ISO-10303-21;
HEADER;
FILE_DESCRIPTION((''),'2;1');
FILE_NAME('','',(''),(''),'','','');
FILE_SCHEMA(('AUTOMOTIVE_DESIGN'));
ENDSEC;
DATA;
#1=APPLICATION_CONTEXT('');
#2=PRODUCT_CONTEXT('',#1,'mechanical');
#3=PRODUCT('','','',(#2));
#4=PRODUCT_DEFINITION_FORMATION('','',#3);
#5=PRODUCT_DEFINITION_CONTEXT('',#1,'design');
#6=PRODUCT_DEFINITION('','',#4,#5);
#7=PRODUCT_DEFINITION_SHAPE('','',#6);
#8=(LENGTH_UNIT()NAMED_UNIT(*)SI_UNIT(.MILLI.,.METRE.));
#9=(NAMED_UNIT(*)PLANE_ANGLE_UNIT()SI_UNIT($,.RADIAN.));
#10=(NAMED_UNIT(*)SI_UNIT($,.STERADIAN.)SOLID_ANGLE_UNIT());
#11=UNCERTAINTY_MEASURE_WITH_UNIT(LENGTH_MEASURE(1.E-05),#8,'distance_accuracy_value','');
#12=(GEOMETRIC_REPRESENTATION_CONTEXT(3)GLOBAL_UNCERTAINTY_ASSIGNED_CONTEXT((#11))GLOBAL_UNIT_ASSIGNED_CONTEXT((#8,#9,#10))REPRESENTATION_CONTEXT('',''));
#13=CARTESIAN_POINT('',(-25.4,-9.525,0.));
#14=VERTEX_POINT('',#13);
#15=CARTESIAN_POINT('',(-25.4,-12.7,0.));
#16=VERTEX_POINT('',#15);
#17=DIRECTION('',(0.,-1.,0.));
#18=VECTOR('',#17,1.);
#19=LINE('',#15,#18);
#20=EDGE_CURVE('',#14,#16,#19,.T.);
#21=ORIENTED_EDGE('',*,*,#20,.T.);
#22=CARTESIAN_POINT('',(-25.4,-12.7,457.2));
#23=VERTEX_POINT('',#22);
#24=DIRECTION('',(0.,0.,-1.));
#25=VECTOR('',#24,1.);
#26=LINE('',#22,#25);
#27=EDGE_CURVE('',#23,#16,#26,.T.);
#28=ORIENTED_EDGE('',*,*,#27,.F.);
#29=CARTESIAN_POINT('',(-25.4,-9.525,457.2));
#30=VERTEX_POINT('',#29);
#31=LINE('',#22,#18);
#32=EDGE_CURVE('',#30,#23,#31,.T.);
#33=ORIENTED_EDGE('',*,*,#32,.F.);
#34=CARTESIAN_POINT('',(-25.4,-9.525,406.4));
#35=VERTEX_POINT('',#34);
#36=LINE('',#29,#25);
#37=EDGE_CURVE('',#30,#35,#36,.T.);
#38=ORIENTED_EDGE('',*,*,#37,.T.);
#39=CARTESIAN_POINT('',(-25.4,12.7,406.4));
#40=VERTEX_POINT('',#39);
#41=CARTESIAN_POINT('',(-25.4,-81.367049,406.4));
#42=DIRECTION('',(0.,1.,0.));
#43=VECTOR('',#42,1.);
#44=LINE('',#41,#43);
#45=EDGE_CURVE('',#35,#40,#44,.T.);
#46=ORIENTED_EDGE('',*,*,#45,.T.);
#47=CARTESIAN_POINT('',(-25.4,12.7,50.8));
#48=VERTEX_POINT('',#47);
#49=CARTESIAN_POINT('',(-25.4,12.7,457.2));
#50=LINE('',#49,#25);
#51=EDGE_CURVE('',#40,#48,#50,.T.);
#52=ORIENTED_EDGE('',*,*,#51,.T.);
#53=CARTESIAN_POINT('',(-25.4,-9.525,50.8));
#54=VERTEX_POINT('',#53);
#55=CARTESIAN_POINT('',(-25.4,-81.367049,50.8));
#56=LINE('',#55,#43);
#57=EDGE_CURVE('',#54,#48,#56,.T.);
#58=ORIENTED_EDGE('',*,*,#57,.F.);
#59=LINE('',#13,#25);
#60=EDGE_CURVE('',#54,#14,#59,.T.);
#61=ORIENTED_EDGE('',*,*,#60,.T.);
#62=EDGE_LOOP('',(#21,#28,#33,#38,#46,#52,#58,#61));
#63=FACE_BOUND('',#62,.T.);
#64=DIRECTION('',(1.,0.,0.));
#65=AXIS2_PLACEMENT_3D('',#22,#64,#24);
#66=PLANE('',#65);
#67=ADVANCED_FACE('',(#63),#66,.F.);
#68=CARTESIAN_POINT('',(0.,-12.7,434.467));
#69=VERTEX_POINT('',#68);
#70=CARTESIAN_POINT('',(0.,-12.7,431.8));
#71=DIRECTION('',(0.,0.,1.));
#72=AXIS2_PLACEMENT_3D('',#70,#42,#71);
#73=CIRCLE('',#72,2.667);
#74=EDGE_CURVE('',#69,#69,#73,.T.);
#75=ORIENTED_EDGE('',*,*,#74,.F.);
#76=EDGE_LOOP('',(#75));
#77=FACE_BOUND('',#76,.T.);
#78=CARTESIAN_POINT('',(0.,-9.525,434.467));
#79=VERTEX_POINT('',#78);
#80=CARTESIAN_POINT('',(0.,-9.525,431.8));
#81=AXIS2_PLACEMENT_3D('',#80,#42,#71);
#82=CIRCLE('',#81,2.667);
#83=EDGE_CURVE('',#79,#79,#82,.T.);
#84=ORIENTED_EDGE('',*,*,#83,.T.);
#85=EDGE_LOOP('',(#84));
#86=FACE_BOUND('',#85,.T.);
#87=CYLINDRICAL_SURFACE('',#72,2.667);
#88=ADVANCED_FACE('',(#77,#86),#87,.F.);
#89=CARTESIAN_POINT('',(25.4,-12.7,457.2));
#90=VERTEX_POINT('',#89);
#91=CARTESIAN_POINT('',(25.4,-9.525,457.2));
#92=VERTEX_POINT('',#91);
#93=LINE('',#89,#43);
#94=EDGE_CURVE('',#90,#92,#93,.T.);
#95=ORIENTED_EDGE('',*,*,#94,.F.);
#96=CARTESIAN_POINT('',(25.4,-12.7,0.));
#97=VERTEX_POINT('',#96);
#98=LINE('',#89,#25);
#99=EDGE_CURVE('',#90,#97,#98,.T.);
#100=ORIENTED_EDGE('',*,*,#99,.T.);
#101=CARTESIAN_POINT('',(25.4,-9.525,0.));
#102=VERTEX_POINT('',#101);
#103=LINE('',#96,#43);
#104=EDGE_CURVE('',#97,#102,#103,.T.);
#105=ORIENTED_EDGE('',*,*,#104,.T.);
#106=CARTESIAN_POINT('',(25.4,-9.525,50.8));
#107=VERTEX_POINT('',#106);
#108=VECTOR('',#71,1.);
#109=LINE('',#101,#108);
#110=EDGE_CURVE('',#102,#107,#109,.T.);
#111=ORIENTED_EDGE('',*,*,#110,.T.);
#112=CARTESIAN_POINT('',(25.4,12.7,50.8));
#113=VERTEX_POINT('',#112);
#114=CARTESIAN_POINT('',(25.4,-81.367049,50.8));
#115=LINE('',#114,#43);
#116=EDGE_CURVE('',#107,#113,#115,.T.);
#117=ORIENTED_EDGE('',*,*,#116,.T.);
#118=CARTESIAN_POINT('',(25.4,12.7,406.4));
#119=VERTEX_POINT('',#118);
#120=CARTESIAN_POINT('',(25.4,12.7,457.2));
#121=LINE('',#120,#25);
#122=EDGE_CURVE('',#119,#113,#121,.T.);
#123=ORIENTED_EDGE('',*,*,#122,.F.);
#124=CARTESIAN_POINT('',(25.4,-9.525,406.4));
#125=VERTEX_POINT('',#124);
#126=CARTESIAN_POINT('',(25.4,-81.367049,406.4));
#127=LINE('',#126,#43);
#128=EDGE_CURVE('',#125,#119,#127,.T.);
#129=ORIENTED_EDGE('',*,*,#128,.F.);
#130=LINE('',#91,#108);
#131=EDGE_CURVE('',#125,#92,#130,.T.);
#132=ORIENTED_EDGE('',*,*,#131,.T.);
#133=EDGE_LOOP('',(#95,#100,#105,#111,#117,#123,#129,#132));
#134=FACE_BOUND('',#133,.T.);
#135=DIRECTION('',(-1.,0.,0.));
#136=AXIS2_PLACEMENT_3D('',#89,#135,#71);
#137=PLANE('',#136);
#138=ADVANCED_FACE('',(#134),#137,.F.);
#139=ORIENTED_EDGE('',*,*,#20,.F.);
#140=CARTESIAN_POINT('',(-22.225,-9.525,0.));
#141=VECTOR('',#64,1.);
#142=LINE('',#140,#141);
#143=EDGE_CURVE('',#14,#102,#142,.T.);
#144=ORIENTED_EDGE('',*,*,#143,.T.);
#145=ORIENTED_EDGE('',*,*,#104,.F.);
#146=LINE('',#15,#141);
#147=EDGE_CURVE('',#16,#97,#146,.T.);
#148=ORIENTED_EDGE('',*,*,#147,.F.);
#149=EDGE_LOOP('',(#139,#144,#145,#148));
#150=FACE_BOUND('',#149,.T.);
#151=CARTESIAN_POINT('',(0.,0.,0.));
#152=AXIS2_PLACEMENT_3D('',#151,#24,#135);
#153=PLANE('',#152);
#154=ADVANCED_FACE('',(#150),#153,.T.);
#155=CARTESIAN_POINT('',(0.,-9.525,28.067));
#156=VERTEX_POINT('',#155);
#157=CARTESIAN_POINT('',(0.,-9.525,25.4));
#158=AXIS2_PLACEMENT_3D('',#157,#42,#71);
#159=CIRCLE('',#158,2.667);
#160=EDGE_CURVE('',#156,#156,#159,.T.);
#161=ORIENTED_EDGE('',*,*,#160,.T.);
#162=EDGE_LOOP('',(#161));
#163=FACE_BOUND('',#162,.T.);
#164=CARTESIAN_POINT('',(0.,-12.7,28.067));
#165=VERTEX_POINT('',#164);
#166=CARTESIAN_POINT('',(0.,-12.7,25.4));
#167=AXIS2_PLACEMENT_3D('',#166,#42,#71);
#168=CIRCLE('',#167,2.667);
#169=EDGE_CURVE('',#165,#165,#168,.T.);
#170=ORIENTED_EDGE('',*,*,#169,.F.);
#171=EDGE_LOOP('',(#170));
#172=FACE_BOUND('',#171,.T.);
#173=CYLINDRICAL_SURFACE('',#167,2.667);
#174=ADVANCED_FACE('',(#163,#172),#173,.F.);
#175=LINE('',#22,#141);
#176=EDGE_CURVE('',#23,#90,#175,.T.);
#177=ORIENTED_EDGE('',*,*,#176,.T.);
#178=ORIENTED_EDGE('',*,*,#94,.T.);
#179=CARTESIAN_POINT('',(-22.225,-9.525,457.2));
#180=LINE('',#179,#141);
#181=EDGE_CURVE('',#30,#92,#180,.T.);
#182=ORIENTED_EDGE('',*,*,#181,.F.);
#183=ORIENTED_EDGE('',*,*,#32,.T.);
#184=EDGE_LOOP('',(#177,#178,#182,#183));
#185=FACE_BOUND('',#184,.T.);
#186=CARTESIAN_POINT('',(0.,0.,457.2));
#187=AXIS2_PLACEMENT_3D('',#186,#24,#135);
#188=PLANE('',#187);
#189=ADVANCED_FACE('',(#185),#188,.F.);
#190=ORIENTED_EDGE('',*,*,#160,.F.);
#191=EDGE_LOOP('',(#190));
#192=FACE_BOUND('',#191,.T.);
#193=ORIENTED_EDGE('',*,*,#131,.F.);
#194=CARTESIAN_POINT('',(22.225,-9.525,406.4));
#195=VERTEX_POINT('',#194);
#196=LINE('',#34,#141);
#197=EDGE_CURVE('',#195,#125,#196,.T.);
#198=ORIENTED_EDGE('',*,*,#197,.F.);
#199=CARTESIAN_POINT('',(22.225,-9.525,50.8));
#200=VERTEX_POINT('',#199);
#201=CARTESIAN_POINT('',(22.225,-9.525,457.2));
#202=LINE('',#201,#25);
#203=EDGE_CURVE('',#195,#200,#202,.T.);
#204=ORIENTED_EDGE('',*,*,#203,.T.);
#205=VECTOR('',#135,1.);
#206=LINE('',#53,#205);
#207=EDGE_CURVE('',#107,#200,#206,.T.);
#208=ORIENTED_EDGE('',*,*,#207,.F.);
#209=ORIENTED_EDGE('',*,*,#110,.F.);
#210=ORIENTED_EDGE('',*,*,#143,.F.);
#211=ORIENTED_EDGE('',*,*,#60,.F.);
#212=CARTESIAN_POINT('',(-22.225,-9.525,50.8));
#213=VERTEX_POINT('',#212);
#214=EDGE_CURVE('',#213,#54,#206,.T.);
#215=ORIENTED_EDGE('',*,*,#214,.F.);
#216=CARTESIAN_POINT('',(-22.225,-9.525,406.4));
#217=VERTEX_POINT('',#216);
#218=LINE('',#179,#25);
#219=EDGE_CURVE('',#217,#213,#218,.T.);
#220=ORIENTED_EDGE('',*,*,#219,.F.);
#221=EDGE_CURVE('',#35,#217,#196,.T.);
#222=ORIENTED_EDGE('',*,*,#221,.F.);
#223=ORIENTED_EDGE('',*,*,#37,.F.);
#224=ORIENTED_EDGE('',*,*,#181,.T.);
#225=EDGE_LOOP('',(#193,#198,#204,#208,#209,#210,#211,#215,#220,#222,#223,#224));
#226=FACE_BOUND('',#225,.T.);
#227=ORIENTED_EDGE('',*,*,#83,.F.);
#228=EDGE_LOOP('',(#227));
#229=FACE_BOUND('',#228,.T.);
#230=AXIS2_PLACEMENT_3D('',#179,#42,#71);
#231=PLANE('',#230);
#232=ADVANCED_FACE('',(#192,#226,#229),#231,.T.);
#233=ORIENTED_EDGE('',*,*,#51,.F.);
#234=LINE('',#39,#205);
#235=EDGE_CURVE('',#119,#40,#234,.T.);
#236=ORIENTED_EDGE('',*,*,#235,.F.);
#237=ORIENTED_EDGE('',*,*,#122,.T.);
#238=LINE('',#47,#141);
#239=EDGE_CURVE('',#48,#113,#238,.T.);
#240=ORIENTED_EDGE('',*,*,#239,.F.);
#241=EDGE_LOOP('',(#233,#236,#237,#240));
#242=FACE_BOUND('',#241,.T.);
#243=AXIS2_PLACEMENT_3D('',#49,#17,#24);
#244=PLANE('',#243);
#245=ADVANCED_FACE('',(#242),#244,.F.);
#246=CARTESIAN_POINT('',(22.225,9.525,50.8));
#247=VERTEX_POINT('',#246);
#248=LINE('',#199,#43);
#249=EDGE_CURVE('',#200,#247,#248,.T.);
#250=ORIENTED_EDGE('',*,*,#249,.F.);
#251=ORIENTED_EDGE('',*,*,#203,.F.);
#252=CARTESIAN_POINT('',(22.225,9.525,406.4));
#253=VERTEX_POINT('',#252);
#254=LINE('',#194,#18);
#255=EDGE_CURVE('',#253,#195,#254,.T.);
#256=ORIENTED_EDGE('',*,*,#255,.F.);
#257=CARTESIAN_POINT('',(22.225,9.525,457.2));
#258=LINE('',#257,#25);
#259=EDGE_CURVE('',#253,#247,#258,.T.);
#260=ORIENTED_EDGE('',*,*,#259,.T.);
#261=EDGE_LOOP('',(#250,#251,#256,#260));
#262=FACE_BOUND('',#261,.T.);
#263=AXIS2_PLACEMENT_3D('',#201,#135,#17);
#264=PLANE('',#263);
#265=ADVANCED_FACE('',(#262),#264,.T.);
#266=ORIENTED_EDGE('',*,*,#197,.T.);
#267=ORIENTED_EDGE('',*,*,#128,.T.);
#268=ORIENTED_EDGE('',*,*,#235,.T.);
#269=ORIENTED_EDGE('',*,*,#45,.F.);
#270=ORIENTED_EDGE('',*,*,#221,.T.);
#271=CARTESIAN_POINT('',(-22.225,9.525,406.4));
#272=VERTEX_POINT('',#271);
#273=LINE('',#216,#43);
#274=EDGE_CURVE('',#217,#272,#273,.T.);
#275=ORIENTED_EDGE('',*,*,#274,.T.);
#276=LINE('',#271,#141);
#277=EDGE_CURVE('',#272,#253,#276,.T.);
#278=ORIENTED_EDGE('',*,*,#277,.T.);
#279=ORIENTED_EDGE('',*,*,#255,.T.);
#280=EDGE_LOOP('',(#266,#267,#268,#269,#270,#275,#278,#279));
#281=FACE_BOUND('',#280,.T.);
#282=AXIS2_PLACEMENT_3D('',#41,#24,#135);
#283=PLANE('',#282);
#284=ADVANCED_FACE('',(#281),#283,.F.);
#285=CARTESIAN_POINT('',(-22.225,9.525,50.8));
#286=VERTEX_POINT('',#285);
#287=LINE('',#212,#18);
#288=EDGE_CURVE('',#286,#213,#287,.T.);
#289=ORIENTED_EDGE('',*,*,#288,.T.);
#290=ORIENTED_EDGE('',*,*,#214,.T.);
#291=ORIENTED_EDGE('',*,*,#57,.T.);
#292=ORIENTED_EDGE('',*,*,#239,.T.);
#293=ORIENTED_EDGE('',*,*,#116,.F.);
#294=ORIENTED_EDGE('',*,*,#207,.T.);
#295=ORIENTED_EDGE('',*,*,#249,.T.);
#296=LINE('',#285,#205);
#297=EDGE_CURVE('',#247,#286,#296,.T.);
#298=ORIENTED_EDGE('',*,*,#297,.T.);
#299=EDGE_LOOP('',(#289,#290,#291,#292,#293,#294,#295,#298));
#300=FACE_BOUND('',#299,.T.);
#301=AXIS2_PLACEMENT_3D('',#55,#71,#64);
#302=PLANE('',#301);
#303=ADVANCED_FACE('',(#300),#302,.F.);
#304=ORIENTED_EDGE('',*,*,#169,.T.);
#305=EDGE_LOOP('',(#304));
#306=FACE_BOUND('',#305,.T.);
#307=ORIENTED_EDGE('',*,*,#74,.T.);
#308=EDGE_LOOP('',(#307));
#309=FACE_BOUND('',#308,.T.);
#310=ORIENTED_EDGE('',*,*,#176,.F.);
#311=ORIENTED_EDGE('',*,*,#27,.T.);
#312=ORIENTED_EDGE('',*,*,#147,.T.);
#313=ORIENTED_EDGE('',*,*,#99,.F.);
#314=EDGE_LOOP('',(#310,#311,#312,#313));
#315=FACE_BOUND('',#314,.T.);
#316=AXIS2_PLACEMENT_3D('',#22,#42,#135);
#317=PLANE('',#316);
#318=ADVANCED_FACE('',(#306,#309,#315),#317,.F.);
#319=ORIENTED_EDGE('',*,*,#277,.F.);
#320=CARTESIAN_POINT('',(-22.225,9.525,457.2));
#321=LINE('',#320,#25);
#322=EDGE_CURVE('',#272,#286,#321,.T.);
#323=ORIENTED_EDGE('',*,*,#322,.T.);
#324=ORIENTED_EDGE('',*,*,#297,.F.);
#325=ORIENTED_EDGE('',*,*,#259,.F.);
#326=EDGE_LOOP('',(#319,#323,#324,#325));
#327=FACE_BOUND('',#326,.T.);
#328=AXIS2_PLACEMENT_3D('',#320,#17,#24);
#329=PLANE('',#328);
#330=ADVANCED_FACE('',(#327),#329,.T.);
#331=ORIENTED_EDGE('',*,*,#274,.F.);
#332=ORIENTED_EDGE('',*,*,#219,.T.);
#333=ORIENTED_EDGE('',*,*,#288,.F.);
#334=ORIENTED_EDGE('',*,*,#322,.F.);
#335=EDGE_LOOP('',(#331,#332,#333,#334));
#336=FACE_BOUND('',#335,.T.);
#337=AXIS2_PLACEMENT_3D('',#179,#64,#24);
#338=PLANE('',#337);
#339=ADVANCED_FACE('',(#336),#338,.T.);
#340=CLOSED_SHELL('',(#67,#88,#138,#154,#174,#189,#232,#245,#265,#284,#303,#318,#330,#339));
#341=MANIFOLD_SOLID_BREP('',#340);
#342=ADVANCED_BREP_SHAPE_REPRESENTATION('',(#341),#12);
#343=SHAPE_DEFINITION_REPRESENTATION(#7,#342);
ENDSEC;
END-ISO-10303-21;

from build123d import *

# Parameters (mm, degrees)
SKETCH1_W           = 50.8
SKETCH1_H           = 25.4
SKETCH1_W_2         = 44.45
SKETCH1_H_2         = 19.05
BOSS_EXTRUDE1_DEPTH = 457.2
SKETCH2_R           = 2.667
CUT_EXTRUDE1_DEPTH  = 26.4
SKETCH3_W           = 50.8
SKETCH3_H           = 50.8
CUT_EXTRUDE2_DEPTH  = 22.225


with BuildPart() as part:
    # Sketch1 → Boss-Extrude1 (new body)
    with BuildSketch(Plane.XY):
        Rectangle(SKETCH1_W, SKETCH1_H)
        Rectangle(SKETCH1_W_2, SKETCH1_H_2, mode=Mode.SUBTRACT)
    extrude(amount=BOSS_EXTRUDE1_DEPTH)

    # Sketch2 → Cut-Extrude1 (cut, through all)
    with BuildSketch(Plane(origin=(0, 12.7, 0), x_dir=(1, 0, 0), z_dir=(0, 1, 0))):
        with Locations((0, -431.8)):
            Circle(SKETCH2_R)
        with Locations((0, -25.4)):
            Circle(SKETCH2_R)
    extrude(amount=-CUT_EXTRUDE1_DEPTH, mode=Mode.SUBTRACT)

    # Sketch3 → Cut-Extrude2 (cut)
    with BuildSketch(Plane(origin=(0, 12.7, 0), x_dir=(1, 0, 0), z_dir=(0, 1, 0))):
        with Locations((0, -431.8)):
            Rectangle(SKETCH3_W, SKETCH3_H)
        with Locations((0, -25.4)):
            Rectangle(SKETCH3_W, SKETCH3_H)
    extrude(amount=-CUT_EXTRUDE2_DEPTH, mode=Mode.SUBTRACT)


solid = part.part
